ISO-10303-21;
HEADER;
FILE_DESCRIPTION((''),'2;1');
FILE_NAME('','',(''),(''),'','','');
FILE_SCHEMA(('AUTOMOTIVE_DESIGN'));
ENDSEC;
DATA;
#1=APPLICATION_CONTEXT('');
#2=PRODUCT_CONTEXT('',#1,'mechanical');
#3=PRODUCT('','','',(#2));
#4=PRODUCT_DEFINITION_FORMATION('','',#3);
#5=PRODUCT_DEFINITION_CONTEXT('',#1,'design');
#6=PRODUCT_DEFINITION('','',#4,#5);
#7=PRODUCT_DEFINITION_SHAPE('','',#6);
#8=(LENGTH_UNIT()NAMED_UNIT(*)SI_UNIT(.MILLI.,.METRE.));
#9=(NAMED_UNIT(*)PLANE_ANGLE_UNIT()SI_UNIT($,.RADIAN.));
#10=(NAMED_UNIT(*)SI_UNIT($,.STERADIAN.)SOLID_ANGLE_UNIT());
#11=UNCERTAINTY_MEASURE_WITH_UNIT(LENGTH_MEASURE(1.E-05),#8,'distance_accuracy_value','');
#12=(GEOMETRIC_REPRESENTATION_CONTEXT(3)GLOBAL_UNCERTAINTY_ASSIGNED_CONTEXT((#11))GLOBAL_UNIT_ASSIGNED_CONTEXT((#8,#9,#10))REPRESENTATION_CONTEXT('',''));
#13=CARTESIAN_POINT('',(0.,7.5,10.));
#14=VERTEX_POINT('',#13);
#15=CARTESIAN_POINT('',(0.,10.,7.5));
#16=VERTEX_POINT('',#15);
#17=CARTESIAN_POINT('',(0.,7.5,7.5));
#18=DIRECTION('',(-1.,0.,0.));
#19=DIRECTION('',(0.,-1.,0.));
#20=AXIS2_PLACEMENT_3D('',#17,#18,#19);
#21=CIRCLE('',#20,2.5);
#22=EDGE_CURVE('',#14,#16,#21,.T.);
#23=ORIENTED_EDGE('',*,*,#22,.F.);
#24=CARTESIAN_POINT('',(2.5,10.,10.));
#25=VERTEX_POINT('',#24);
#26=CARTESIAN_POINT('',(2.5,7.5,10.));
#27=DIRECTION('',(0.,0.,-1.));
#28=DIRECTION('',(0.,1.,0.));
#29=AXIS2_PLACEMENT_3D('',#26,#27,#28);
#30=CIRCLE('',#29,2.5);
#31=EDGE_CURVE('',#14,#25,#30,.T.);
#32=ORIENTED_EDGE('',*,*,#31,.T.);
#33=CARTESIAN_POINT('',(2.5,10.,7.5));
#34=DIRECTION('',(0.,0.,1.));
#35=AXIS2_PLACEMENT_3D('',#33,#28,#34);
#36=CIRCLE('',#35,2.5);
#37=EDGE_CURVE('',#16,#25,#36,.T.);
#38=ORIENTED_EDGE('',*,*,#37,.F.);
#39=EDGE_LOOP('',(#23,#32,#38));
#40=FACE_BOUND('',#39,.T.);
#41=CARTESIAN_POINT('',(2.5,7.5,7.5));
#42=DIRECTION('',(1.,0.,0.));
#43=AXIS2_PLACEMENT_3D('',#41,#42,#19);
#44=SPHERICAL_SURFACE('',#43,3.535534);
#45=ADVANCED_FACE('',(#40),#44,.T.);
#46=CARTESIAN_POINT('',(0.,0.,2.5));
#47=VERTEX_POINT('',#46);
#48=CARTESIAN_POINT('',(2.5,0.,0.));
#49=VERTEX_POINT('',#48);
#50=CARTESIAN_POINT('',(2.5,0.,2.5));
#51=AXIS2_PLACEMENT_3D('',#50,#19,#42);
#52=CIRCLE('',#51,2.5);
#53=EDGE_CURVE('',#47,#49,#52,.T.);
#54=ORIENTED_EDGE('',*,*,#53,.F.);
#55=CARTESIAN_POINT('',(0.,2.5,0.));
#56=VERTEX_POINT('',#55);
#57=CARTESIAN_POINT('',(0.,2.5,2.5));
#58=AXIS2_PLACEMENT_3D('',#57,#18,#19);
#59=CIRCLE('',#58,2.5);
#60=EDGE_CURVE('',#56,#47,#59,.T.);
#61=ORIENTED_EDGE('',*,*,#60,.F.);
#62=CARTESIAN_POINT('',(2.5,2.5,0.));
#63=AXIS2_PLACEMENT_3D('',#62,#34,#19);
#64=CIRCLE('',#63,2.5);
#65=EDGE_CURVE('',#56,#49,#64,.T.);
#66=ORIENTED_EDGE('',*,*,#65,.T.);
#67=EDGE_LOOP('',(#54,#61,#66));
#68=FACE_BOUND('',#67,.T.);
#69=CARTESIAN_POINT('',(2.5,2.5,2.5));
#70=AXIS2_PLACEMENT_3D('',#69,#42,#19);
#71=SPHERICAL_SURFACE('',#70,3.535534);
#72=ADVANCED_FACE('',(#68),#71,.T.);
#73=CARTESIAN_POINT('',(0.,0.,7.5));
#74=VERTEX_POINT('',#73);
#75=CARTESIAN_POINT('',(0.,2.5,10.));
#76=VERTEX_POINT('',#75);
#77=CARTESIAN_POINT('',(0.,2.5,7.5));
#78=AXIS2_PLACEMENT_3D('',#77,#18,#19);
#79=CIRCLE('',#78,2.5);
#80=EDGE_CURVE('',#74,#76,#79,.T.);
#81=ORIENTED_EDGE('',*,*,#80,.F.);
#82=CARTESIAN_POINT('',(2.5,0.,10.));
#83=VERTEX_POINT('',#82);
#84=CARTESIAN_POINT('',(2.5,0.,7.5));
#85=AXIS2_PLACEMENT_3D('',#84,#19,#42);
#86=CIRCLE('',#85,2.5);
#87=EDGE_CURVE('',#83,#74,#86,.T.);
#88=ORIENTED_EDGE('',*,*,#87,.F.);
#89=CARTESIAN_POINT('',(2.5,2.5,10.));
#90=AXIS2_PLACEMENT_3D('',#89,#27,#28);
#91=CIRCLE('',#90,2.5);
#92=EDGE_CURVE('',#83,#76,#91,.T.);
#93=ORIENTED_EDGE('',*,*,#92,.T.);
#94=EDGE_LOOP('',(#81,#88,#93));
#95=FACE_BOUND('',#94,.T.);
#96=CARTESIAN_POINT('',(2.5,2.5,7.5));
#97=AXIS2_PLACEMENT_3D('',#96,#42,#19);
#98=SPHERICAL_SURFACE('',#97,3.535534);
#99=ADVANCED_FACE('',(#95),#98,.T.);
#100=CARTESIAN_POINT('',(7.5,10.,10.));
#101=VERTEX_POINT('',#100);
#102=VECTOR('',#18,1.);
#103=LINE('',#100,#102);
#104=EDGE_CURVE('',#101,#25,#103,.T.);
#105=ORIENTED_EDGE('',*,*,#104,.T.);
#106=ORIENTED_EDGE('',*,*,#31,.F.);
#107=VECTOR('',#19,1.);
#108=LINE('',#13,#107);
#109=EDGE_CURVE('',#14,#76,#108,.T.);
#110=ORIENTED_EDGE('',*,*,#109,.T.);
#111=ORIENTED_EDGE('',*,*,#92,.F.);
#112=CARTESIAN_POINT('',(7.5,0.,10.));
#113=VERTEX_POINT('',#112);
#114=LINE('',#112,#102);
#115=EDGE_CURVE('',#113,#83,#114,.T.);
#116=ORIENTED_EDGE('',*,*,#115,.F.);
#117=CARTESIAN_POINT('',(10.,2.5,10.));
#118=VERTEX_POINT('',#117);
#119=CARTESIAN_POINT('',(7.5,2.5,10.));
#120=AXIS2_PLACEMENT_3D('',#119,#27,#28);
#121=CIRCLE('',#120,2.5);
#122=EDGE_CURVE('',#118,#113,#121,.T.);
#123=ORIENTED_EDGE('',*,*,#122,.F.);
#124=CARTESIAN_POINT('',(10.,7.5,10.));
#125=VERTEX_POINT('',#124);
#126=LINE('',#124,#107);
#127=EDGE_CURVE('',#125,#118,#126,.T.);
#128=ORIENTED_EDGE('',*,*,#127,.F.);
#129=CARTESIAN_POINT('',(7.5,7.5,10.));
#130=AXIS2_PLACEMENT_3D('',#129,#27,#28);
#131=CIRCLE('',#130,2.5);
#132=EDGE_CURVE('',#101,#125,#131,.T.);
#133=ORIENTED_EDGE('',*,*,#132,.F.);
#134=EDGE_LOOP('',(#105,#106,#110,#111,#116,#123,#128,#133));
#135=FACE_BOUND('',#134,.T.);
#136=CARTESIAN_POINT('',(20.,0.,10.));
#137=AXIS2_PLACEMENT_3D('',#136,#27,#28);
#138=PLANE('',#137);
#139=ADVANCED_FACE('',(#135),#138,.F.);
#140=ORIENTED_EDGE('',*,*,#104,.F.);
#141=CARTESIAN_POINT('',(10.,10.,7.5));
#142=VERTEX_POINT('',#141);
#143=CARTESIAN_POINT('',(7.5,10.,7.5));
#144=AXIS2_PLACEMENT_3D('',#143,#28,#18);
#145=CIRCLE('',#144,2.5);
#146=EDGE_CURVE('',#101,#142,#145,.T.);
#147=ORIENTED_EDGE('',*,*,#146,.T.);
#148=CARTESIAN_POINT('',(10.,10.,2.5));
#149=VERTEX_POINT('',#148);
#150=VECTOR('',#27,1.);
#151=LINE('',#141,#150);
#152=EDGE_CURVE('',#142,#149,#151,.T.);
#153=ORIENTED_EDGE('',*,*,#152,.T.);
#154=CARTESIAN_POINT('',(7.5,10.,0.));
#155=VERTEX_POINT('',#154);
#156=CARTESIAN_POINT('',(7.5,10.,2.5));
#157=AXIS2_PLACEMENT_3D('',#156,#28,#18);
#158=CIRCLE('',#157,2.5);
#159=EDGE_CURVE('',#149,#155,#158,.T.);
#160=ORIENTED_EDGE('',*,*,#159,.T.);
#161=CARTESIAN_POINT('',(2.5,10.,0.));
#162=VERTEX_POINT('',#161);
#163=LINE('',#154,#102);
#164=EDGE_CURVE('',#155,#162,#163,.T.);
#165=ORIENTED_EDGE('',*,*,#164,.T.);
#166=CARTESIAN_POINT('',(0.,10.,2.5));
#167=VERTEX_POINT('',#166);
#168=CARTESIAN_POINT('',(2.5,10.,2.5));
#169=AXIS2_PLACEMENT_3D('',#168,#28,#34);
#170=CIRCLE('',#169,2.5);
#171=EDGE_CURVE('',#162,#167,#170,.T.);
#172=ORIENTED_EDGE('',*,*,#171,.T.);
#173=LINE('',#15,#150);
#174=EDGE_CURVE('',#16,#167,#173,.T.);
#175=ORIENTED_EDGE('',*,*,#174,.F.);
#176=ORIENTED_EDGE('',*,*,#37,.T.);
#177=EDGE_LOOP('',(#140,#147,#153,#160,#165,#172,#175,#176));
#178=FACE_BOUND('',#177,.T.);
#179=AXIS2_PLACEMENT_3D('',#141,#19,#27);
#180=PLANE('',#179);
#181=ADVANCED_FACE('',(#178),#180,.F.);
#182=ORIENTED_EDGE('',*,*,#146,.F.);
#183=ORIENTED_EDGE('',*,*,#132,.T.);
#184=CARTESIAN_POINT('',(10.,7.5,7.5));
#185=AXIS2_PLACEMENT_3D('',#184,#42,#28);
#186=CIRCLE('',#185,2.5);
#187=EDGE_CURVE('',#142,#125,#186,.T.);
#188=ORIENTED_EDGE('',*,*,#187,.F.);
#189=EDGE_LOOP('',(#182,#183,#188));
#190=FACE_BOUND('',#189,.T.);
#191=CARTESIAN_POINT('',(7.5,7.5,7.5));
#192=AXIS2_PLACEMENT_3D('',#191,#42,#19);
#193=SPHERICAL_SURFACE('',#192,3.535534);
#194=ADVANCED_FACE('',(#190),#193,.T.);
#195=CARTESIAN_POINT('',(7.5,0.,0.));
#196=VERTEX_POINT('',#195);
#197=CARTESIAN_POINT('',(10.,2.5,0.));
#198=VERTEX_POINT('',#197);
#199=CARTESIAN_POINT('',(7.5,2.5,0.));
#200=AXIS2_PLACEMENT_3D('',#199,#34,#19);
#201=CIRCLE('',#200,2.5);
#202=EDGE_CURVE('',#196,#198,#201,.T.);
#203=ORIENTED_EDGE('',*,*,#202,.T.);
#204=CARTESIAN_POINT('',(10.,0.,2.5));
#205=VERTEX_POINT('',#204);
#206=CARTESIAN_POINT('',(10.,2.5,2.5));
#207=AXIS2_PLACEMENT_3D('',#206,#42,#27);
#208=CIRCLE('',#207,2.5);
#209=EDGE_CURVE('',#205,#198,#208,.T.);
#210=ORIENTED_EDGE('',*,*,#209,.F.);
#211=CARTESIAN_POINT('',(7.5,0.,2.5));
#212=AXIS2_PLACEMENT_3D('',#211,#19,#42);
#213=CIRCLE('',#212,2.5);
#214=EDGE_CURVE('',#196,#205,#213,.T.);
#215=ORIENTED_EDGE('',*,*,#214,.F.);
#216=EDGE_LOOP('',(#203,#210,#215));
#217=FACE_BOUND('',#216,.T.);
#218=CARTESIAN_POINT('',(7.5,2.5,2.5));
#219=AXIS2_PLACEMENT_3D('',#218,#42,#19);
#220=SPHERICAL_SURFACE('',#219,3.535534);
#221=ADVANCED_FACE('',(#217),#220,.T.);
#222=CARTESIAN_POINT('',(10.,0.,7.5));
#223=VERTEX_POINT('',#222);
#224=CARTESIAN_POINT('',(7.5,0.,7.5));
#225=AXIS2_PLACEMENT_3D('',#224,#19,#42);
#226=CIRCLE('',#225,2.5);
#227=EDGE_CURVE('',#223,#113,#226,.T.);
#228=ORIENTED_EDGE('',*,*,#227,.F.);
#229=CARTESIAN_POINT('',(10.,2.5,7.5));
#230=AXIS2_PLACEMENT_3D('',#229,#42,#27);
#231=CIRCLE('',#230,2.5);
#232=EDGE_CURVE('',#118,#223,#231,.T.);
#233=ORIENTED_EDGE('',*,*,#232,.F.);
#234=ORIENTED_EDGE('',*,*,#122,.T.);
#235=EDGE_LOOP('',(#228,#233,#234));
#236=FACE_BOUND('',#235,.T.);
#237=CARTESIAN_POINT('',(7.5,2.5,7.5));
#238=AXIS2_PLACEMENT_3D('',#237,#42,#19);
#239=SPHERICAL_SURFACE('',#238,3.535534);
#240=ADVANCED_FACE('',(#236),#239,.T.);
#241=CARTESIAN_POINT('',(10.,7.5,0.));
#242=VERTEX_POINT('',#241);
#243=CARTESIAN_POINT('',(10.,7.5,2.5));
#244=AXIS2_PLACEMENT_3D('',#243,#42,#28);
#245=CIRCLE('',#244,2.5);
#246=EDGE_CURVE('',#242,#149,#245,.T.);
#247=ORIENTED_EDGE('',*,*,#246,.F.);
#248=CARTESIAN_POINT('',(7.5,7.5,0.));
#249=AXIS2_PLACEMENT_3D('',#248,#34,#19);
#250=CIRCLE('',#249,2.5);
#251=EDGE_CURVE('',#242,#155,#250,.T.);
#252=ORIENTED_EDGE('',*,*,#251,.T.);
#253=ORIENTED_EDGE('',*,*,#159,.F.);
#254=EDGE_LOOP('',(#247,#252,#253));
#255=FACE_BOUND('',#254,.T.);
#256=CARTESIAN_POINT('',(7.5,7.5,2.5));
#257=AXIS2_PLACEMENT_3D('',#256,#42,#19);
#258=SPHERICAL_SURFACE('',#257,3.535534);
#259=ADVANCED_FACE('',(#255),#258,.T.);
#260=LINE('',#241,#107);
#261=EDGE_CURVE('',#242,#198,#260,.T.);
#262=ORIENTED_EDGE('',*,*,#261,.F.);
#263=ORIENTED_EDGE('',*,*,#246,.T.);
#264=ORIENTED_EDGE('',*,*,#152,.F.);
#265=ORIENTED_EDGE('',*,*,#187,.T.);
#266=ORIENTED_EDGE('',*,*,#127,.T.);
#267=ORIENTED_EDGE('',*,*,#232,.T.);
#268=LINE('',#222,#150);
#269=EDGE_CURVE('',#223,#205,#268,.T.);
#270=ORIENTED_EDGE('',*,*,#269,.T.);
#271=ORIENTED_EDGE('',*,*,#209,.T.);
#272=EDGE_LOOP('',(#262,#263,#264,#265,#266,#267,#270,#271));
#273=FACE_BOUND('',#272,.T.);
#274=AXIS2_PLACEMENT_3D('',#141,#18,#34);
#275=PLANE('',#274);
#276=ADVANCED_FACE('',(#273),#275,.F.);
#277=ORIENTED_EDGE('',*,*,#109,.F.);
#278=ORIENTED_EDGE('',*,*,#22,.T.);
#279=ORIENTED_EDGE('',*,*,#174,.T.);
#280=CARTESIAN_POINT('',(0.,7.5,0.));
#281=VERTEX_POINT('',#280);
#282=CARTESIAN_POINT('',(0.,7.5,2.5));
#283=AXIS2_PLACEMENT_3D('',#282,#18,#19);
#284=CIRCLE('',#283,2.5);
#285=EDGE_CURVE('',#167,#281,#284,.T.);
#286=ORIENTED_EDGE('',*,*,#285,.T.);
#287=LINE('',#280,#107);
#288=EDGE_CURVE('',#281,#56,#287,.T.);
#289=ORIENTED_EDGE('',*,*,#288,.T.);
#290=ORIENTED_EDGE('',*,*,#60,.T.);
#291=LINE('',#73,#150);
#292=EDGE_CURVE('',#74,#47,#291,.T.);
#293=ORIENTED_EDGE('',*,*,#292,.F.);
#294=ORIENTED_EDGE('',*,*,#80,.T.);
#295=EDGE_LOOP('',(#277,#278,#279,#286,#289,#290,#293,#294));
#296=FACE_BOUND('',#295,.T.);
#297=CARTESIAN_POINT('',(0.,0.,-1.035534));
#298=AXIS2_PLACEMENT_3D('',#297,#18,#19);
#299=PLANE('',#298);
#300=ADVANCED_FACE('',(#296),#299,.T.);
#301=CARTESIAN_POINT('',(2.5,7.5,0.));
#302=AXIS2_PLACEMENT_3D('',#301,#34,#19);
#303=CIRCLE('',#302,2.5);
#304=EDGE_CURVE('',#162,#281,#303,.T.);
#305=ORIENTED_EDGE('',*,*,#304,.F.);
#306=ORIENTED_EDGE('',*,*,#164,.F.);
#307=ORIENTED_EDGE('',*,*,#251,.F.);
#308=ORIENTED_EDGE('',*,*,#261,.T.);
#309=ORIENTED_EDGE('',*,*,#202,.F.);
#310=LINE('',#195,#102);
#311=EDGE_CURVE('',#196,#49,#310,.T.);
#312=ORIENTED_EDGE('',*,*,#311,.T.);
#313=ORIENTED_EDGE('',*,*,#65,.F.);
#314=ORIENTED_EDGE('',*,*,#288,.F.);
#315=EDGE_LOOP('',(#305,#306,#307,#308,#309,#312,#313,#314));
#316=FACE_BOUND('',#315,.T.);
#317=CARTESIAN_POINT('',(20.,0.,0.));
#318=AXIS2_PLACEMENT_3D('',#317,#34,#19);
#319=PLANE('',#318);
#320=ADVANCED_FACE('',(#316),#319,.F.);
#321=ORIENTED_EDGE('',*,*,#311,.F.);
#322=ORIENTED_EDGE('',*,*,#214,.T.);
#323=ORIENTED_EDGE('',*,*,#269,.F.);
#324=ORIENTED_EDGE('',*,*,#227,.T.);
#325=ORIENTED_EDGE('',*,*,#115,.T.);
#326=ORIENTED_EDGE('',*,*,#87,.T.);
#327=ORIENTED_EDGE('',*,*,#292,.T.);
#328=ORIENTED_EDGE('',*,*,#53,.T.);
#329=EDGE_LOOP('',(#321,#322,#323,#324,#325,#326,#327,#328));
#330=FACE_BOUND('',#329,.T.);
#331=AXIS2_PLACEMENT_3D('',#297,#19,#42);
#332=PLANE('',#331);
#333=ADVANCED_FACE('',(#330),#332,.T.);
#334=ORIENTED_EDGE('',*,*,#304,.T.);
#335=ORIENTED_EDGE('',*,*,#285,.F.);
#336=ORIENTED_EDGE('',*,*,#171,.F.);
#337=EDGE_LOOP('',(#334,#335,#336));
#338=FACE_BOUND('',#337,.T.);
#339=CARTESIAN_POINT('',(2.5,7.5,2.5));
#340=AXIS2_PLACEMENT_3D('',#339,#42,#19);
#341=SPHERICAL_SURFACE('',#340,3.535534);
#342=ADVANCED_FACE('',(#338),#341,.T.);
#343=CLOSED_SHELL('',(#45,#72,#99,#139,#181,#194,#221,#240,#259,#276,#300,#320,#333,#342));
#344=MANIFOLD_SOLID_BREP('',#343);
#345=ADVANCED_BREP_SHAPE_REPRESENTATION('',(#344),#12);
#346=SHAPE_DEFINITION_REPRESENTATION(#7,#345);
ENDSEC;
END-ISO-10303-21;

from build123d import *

# Parameters (mm, degrees)
PADR_O_LINEAR2_COUNT       = 2
PADR_O_LINEAR2_PITCH       = 5
PADR_O_LINEAR2_2_COUNT     = 2
PADR_O_LINEAR2_2_PITCH     = 5
CORTE_EXTRUS_O1_DEPTH      = 20.114105414
CORTE_EXTRUS_O1_DEPTH_BACK = 20.114105414
ESBO_O3_W                  = 20
ESBO_O3_H                  = 20
ESBO_O3_W_2                = 2.5
ESBO_O3_H_2                = 2.5
CORTE_EXTRUS_O3_DEPTH      = 20
CORTE_EXTRUS_O3_DEPTH_BACK = 10
ESBO_O4_W                  = 20
ESBO_O4_H                  = 20
ESBO_O4_W_2                = 2.5
ESBO_O4_H_2                = 2.5
ESBO_O5_W                  = 10
ESBO_O5_H                  = 10
RESSALTO_EXTRUS_O1_DEPTH   = 5
ESBO_O6_W                  = 10
ESBO_O6_H                  = 10
RESSALTO_EXTRUS_O2_DEPTH   = 5
ESBO_O7_W                  = 10
ESBO_O7_H                  = 10
RESSALTO_EXTRUS_O3_DEPTH   = 5


with BuildPart() as part:
    # Esboço2 → Revolução1 (revolve)
    with BuildSketch(Plane.XY.offset(2.5)):
        with BuildLine():
            Line((3.964466094, 2.5), (2.5, 2.5))
            Line((2.5, 2.5), (-1.035533906, 2.5))
            ThreePointArc((-1.035533906, 2.5), (1.14700975, -0.766407412), (5, 0))
            ThreePointArc((5, 0), (4.233592588, 1.14700975), (3.964466094, 2.5))
        make_face()
        with BuildLine():
            Line((6.035533906, 2.5), (3.964466094, 2.5))
            ThreePointArc((3.964466094, 2.5), (4.233592588, 1.14700975), (5, 0))
            ThreePointArc((5, 0), (5.766407412, 1.14700975), (6.035533906, 2.5))
        make_face()
        with BuildLine():
            ThreePointArc((6.035533906, 2.5), (5.766407412, 1.14700975), (5, 0))
            ThreePointArc((5, 0), (8.85299025, -0.766407412), (11.035533906, 2.5))
            Line((11.035533906, 2.5), (7.5, 2.5))
            Line((7.5, 2.5), (6.035533906, 2.5))
        make_face()
    revolve(axis=Axis((2.5, 2.5, 2.5), (-1, 0, 0)))


with BuildPart() as padr_o_linear2_1:
    # Padrão linear2: pattern copy
    add(part.part.moved(Location(Vector(0, 0, 1) * (1 * PADR_O_LINEAR2_PITCH))))


with BuildPart() as padr_o_linear2_2_1:
    # Padr_o linear2 2: pattern copy
    add(part.part.moved(Location(Vector(0, 1, 0) * (1 * PADR_O_LINEAR2_2_PITCH))))


with BuildPart() as padr_o_linear2_2_2:
    # Padr_o linear2 2: pattern copy
    add(padr_o_linear2_1.part.moved(Location(Vector(0, 1, 0) * (1 * PADR_O_LINEAR2_2_PITCH))))


with BuildPart() as corte_extrus_o1_tool:
    # Esboço3 → Corte-extrusão1 (new, two sides: drawn at the far end of the back side and taken through both)
    with BuildSketch(Plane.XY.offset(-CORTE_EXTRUS_O1_DEPTH_BACK)):
        with Locations((5, 5)):
            Rectangle(ESBO_O3_W, ESBO_O3_H)
        with Locations((1.25, 8.75)):
            Rectangle(ESBO_O3_W_2, ESBO_O3_H_2, mode=Mode.SUBTRACT)
        with Locations((1.25, 1.25)):
            Rectangle(ESBO_O3_W_2, ESBO_O3_H_2, mode=Mode.SUBTRACT)
        with Locations((8.75, 1.25)):
            Rectangle(ESBO_O3_W_2, ESBO_O3_H_2, mode=Mode.SUBTRACT)
        with Locations((8.75, 8.75)):
            Rectangle(ESBO_O3_W_2, ESBO_O3_H_2, mode=Mode.SUBTRACT)
    extrude(amount=CORTE_EXTRUS_O1_DEPTH + CORTE_EXTRUS_O1_DEPTH_BACK)


with BuildPart() as part_1:
    add(part.part)

    # Corte-extrusão1: cut by corte_extrus_o1_tool
    add(corte_extrus_o1_tool.part, mode=Mode.SUBTRACT)


with BuildPart() as padr_o_linear2_1_1:
    add(padr_o_linear2_1.part)

    # Corte-extrusão1: cut by corte_extrus_o1_tool
    add(corte_extrus_o1_tool.part, mode=Mode.SUBTRACT)


with BuildPart() as padr_o_linear2_2_1_1:
    add(padr_o_linear2_2_1.part)

    # Corte-extrusão1: cut by corte_extrus_o1_tool
    add(corte_extrus_o1_tool.part, mode=Mode.SUBTRACT)


with BuildPart() as padr_o_linear2_2_2_1:
    add(padr_o_linear2_2_2.part)

    # Corte-extrusão1: cut by corte_extrus_o1_tool
    add(corte_extrus_o1_tool.part, mode=Mode.SUBTRACT)


with BuildPart() as corte_extrus_o1_piece_1:
    # of the separate pieces the step leaves, piece 1, a body of its own (corte_extrus_o1_pieces)
    add(part_1.part.solids().sort_by_distance((0, 0, 2.5))[0])


with BuildPart() as corte_extrus_o1_piece_2:
    # of the separate pieces the step leaves, piece 2, a body of its own (corte_extrus_o1_pieces)
    add(part_1.part.solids().sort_by_distance((10, 2.5, 5))[0])


with BuildPart() as corte_extrus_o1_piece_1_of_padr_o_linear:
    # of the separate pieces the step leaves, piece 1, a body of its own (corte_extrus_o1_pieces_of_padr_o_linear2)
    add(padr_o_linear2_1_1.part.solids().sort_by_distance((0, 0, 7.5))[0])


with BuildPart() as corte_extrus_o1_piece_2_of_padr_o_linear:
    # of the separate pieces the step leaves, piece 2, a body of its own (corte_extrus_o1_pieces_of_padr_o_linear2)
    add(padr_o_linear2_1_1.part.solids().sort_by_distance((10, 2.5, 10))[0])


with BuildPart() as corte_extrus_o1_piece_1_of_padr_o_li_2:
    # of the separate pieces the step leaves, piece 1, a body of its own (corte_extrus_o1_pieces_of_padr_o_lin_2)
    add(padr_o_linear2_2_1_1.part.solids().sort_by_distance((0, 10, 2.5))[0])


with BuildPart() as corte_extrus_o1_piece_2_of_padr_o_li_2:
    # of the separate pieces the step leaves, piece 2, a body of its own (corte_extrus_o1_pieces_of_padr_o_lin_2)
    add(padr_o_linear2_2_1_1.part.solids().sort_by_distance((7.5, 7.5, 6.035533906))[0])


with BuildPart() as corte_extrus_o1_piece_1_of_padr_o_li_3:
    # of the separate pieces the step leaves, piece 1, a body of its own (corte_extrus_o1_pieces_of_padr_o_lin_3)
    add(padr_o_linear2_2_2_1.part.solids().sort_by_distance((0, 10, 7.5))[0])


with BuildPart() as corte_extrus_o1_piece_2_of_padr_o_li_3:
    # of the separate pieces the step leaves, piece 2, a body of its own (corte_extrus_o1_pieces_of_padr_o_lin_3)
    add(padr_o_linear2_2_2_1.part.solids().sort_by_distance((7.5, 7.5, 11.035533906))[0])


with BuildPart() as corte_extrus_o3_tool:
    # Esboço4 → Corte-extrusão3 (new, two sides: drawn at the far end of the back side and taken through both)
    with BuildSketch(Plane(origin=(0, 0, 0), x_dir=(0, 0, -1), z_dir=(1, 0, 0)).offset(-CORTE_EXTRUS_O3_DEPTH_BACK)):
        with Locations((-5, 5)):
            Rectangle(ESBO_O4_W, ESBO_O4_H)
        with Locations((-8.75, 8.75)):
            Rectangle(ESBO_O4_W_2, ESBO_O4_H_2, mode=Mode.SUBTRACT)
        with Locations((-1.25, 1.25)):
            Rectangle(ESBO_O4_W_2, ESBO_O4_H_2, mode=Mode.SUBTRACT)
        with Locations((-1.25, 8.75)):
            Rectangle(ESBO_O4_W_2, ESBO_O4_H_2, mode=Mode.SUBTRACT)
        with Locations((-8.75, 1.25)):
            Rectangle(ESBO_O4_W_2, ESBO_O4_H_2, mode=Mode.SUBTRACT)
    extrude(amount=CORTE_EXTRUS_O3_DEPTH + CORTE_EXTRUS_O3_DEPTH_BACK)


with BuildPart() as corte_extrus_o1_piece_1_1:
    add(corte_extrus_o1_piece_1.part)

    # Corte-extrusão3: cut by corte_extrus_o3_tool
    add(corte_extrus_o3_tool.part, mode=Mode.SUBTRACT)



with BuildPart() as corte_extrus_o1_piece_2_1:
    add(corte_extrus_o1_piece_2.part)

    # Corte-extrusão3: cut by corte_extrus_o3_tool
    add(corte_extrus_o3_tool.part, mode=Mode.SUBTRACT)


with BuildPart() as corte_extrus_o1_piece_1_of_padr_o_linear_1:
    add(corte_extrus_o1_piece_1_of_padr_o_linear.part)

    # Corte-extrusão3: cut by corte_extrus_o3_tool
    add(corte_extrus_o3_tool.part, mode=Mode.SUBTRACT)


with BuildPart() as corte_extrus_o1_piece_2_of_padr_o_linear_1:
    add(corte_extrus_o1_piece_2_of_padr_o_linear.part)

    # Corte-extrusão3: cut by corte_extrus_o3_tool
    add(corte_extrus_o3_tool.part, mode=Mode.SUBTRACT)


with BuildPart() as corte_extrus_o1_piece_1_of_padr_o_li_2_1:
    add(corte_extrus_o1_piece_1_of_padr_o_li_2.part)

    # Corte-extrusão3: cut by corte_extrus_o3_tool
    add(corte_extrus_o3_tool.part, mode=Mode.SUBTRACT)


with BuildPart() as corte_extrus_o1_piece_2_of_padr_o_li_2_1:
    add(corte_extrus_o1_piece_2_of_padr_o_li_2.part)

    # Corte-extrusão3: cut by corte_extrus_o3_tool
    add(corte_extrus_o3_tool.part, mode=Mode.SUBTRACT)


with BuildPart() as corte_extrus_o1_piece_1_of_padr_o_li_3_1:
    add(corte_extrus_o1_piece_1_of_padr_o_li_3.part)

    # Corte-extrusão3: cut by corte_extrus_o3_tool
    add(corte_extrus_o3_tool.part, mode=Mode.SUBTRACT)


with BuildPart() as corte_extrus_o1_piece_2_of_padr_o_li_3_1:
    add(corte_extrus_o1_piece_2_of_padr_o_li_3.part)

    # Corte-extrusão3: cut by corte_extrus_o3_tool
    add(corte_extrus_o3_tool.part, mode=Mode.SUBTRACT)


with BuildPart() as corte_extrus_o1_piece_1_2:
    add(corte_extrus_o1_piece_1_1.part)

    add(corte_extrus_o1_piece_2_1.part)  # Ressalto-extrusão1 merges Corte-extrusão1 piece 2

    add(corte_extrus_o1_piece_1_of_padr_o_linear_1.part)  # Ressalto-extrusão1 merges Corte-extrusão1 piece 1 of Padr_o linear

    add(corte_extrus_o1_piece_2_of_padr_o_linear_1.part)  # Ressalto-extrusão1 merges Corte-extrusão1 piece 2 of Padr_o linear

    add(corte_extrus_o1_piece_1_of_padr_o_li_2_1.part)  # Ressalto-extrusão1 merges Corte-extrusão1 piece 1 of Padr_o li 2

    add(corte_extrus_o1_piece_2_of_padr_o_li_2_1.part)  # Ressalto-extrusão1 merges Corte-extrusão1 piece 2 of Padr_o li 2

    add(corte_extrus_o1_piece_1_of_padr_o_li_3_1.part)  # Ressalto-extrusão1 merges Corte-extrusão1 piece 1 of Padr_o li 3

    add(corte_extrus_o1_piece_2_of_padr_o_li_3_1.part)  # Ressalto-extrusão1 merges Corte-extrusão1 piece 2 of Padr_o li 3
    # Esboço5 → Ressalto-extrusão1 (add)
    with BuildSketch(Plane.XY.offset(2.5)):
        with Locations((5, 5)):
            Rectangle(ESBO_O5_W, ESBO_O5_H)
    extrude(amount=RESSALTO_EXTRUS_O1_DEPTH)

    # Esboço6 → Ressalto-extrusão2 (add)
    with BuildSketch(Plane(origin=(2.5, 0, 0), x_dir=(0, 0, -1), z_dir=(1, 0, 0))):
        with Locations((-5, 5)):
            Rectangle(ESBO_O6_W, ESBO_O6_H)
    extrude(amount=RESSALTO_EXTRUS_O2_DEPTH)

    # Esboço7 → Ressalto-extrusão3 (add)
    with BuildSketch(Plane(origin=(0, 2.5, 0), x_dir=(1, 0, 0), z_dir=(0, 1, 0))):
        with Locations((5, -5)):
            Rectangle(ESBO_O7_W, ESBO_O7_H)
    extrude(amount=RESSALTO_EXTRUS_O3_DEPTH)


solid = corte_extrus_o1_piece_1_2.part
